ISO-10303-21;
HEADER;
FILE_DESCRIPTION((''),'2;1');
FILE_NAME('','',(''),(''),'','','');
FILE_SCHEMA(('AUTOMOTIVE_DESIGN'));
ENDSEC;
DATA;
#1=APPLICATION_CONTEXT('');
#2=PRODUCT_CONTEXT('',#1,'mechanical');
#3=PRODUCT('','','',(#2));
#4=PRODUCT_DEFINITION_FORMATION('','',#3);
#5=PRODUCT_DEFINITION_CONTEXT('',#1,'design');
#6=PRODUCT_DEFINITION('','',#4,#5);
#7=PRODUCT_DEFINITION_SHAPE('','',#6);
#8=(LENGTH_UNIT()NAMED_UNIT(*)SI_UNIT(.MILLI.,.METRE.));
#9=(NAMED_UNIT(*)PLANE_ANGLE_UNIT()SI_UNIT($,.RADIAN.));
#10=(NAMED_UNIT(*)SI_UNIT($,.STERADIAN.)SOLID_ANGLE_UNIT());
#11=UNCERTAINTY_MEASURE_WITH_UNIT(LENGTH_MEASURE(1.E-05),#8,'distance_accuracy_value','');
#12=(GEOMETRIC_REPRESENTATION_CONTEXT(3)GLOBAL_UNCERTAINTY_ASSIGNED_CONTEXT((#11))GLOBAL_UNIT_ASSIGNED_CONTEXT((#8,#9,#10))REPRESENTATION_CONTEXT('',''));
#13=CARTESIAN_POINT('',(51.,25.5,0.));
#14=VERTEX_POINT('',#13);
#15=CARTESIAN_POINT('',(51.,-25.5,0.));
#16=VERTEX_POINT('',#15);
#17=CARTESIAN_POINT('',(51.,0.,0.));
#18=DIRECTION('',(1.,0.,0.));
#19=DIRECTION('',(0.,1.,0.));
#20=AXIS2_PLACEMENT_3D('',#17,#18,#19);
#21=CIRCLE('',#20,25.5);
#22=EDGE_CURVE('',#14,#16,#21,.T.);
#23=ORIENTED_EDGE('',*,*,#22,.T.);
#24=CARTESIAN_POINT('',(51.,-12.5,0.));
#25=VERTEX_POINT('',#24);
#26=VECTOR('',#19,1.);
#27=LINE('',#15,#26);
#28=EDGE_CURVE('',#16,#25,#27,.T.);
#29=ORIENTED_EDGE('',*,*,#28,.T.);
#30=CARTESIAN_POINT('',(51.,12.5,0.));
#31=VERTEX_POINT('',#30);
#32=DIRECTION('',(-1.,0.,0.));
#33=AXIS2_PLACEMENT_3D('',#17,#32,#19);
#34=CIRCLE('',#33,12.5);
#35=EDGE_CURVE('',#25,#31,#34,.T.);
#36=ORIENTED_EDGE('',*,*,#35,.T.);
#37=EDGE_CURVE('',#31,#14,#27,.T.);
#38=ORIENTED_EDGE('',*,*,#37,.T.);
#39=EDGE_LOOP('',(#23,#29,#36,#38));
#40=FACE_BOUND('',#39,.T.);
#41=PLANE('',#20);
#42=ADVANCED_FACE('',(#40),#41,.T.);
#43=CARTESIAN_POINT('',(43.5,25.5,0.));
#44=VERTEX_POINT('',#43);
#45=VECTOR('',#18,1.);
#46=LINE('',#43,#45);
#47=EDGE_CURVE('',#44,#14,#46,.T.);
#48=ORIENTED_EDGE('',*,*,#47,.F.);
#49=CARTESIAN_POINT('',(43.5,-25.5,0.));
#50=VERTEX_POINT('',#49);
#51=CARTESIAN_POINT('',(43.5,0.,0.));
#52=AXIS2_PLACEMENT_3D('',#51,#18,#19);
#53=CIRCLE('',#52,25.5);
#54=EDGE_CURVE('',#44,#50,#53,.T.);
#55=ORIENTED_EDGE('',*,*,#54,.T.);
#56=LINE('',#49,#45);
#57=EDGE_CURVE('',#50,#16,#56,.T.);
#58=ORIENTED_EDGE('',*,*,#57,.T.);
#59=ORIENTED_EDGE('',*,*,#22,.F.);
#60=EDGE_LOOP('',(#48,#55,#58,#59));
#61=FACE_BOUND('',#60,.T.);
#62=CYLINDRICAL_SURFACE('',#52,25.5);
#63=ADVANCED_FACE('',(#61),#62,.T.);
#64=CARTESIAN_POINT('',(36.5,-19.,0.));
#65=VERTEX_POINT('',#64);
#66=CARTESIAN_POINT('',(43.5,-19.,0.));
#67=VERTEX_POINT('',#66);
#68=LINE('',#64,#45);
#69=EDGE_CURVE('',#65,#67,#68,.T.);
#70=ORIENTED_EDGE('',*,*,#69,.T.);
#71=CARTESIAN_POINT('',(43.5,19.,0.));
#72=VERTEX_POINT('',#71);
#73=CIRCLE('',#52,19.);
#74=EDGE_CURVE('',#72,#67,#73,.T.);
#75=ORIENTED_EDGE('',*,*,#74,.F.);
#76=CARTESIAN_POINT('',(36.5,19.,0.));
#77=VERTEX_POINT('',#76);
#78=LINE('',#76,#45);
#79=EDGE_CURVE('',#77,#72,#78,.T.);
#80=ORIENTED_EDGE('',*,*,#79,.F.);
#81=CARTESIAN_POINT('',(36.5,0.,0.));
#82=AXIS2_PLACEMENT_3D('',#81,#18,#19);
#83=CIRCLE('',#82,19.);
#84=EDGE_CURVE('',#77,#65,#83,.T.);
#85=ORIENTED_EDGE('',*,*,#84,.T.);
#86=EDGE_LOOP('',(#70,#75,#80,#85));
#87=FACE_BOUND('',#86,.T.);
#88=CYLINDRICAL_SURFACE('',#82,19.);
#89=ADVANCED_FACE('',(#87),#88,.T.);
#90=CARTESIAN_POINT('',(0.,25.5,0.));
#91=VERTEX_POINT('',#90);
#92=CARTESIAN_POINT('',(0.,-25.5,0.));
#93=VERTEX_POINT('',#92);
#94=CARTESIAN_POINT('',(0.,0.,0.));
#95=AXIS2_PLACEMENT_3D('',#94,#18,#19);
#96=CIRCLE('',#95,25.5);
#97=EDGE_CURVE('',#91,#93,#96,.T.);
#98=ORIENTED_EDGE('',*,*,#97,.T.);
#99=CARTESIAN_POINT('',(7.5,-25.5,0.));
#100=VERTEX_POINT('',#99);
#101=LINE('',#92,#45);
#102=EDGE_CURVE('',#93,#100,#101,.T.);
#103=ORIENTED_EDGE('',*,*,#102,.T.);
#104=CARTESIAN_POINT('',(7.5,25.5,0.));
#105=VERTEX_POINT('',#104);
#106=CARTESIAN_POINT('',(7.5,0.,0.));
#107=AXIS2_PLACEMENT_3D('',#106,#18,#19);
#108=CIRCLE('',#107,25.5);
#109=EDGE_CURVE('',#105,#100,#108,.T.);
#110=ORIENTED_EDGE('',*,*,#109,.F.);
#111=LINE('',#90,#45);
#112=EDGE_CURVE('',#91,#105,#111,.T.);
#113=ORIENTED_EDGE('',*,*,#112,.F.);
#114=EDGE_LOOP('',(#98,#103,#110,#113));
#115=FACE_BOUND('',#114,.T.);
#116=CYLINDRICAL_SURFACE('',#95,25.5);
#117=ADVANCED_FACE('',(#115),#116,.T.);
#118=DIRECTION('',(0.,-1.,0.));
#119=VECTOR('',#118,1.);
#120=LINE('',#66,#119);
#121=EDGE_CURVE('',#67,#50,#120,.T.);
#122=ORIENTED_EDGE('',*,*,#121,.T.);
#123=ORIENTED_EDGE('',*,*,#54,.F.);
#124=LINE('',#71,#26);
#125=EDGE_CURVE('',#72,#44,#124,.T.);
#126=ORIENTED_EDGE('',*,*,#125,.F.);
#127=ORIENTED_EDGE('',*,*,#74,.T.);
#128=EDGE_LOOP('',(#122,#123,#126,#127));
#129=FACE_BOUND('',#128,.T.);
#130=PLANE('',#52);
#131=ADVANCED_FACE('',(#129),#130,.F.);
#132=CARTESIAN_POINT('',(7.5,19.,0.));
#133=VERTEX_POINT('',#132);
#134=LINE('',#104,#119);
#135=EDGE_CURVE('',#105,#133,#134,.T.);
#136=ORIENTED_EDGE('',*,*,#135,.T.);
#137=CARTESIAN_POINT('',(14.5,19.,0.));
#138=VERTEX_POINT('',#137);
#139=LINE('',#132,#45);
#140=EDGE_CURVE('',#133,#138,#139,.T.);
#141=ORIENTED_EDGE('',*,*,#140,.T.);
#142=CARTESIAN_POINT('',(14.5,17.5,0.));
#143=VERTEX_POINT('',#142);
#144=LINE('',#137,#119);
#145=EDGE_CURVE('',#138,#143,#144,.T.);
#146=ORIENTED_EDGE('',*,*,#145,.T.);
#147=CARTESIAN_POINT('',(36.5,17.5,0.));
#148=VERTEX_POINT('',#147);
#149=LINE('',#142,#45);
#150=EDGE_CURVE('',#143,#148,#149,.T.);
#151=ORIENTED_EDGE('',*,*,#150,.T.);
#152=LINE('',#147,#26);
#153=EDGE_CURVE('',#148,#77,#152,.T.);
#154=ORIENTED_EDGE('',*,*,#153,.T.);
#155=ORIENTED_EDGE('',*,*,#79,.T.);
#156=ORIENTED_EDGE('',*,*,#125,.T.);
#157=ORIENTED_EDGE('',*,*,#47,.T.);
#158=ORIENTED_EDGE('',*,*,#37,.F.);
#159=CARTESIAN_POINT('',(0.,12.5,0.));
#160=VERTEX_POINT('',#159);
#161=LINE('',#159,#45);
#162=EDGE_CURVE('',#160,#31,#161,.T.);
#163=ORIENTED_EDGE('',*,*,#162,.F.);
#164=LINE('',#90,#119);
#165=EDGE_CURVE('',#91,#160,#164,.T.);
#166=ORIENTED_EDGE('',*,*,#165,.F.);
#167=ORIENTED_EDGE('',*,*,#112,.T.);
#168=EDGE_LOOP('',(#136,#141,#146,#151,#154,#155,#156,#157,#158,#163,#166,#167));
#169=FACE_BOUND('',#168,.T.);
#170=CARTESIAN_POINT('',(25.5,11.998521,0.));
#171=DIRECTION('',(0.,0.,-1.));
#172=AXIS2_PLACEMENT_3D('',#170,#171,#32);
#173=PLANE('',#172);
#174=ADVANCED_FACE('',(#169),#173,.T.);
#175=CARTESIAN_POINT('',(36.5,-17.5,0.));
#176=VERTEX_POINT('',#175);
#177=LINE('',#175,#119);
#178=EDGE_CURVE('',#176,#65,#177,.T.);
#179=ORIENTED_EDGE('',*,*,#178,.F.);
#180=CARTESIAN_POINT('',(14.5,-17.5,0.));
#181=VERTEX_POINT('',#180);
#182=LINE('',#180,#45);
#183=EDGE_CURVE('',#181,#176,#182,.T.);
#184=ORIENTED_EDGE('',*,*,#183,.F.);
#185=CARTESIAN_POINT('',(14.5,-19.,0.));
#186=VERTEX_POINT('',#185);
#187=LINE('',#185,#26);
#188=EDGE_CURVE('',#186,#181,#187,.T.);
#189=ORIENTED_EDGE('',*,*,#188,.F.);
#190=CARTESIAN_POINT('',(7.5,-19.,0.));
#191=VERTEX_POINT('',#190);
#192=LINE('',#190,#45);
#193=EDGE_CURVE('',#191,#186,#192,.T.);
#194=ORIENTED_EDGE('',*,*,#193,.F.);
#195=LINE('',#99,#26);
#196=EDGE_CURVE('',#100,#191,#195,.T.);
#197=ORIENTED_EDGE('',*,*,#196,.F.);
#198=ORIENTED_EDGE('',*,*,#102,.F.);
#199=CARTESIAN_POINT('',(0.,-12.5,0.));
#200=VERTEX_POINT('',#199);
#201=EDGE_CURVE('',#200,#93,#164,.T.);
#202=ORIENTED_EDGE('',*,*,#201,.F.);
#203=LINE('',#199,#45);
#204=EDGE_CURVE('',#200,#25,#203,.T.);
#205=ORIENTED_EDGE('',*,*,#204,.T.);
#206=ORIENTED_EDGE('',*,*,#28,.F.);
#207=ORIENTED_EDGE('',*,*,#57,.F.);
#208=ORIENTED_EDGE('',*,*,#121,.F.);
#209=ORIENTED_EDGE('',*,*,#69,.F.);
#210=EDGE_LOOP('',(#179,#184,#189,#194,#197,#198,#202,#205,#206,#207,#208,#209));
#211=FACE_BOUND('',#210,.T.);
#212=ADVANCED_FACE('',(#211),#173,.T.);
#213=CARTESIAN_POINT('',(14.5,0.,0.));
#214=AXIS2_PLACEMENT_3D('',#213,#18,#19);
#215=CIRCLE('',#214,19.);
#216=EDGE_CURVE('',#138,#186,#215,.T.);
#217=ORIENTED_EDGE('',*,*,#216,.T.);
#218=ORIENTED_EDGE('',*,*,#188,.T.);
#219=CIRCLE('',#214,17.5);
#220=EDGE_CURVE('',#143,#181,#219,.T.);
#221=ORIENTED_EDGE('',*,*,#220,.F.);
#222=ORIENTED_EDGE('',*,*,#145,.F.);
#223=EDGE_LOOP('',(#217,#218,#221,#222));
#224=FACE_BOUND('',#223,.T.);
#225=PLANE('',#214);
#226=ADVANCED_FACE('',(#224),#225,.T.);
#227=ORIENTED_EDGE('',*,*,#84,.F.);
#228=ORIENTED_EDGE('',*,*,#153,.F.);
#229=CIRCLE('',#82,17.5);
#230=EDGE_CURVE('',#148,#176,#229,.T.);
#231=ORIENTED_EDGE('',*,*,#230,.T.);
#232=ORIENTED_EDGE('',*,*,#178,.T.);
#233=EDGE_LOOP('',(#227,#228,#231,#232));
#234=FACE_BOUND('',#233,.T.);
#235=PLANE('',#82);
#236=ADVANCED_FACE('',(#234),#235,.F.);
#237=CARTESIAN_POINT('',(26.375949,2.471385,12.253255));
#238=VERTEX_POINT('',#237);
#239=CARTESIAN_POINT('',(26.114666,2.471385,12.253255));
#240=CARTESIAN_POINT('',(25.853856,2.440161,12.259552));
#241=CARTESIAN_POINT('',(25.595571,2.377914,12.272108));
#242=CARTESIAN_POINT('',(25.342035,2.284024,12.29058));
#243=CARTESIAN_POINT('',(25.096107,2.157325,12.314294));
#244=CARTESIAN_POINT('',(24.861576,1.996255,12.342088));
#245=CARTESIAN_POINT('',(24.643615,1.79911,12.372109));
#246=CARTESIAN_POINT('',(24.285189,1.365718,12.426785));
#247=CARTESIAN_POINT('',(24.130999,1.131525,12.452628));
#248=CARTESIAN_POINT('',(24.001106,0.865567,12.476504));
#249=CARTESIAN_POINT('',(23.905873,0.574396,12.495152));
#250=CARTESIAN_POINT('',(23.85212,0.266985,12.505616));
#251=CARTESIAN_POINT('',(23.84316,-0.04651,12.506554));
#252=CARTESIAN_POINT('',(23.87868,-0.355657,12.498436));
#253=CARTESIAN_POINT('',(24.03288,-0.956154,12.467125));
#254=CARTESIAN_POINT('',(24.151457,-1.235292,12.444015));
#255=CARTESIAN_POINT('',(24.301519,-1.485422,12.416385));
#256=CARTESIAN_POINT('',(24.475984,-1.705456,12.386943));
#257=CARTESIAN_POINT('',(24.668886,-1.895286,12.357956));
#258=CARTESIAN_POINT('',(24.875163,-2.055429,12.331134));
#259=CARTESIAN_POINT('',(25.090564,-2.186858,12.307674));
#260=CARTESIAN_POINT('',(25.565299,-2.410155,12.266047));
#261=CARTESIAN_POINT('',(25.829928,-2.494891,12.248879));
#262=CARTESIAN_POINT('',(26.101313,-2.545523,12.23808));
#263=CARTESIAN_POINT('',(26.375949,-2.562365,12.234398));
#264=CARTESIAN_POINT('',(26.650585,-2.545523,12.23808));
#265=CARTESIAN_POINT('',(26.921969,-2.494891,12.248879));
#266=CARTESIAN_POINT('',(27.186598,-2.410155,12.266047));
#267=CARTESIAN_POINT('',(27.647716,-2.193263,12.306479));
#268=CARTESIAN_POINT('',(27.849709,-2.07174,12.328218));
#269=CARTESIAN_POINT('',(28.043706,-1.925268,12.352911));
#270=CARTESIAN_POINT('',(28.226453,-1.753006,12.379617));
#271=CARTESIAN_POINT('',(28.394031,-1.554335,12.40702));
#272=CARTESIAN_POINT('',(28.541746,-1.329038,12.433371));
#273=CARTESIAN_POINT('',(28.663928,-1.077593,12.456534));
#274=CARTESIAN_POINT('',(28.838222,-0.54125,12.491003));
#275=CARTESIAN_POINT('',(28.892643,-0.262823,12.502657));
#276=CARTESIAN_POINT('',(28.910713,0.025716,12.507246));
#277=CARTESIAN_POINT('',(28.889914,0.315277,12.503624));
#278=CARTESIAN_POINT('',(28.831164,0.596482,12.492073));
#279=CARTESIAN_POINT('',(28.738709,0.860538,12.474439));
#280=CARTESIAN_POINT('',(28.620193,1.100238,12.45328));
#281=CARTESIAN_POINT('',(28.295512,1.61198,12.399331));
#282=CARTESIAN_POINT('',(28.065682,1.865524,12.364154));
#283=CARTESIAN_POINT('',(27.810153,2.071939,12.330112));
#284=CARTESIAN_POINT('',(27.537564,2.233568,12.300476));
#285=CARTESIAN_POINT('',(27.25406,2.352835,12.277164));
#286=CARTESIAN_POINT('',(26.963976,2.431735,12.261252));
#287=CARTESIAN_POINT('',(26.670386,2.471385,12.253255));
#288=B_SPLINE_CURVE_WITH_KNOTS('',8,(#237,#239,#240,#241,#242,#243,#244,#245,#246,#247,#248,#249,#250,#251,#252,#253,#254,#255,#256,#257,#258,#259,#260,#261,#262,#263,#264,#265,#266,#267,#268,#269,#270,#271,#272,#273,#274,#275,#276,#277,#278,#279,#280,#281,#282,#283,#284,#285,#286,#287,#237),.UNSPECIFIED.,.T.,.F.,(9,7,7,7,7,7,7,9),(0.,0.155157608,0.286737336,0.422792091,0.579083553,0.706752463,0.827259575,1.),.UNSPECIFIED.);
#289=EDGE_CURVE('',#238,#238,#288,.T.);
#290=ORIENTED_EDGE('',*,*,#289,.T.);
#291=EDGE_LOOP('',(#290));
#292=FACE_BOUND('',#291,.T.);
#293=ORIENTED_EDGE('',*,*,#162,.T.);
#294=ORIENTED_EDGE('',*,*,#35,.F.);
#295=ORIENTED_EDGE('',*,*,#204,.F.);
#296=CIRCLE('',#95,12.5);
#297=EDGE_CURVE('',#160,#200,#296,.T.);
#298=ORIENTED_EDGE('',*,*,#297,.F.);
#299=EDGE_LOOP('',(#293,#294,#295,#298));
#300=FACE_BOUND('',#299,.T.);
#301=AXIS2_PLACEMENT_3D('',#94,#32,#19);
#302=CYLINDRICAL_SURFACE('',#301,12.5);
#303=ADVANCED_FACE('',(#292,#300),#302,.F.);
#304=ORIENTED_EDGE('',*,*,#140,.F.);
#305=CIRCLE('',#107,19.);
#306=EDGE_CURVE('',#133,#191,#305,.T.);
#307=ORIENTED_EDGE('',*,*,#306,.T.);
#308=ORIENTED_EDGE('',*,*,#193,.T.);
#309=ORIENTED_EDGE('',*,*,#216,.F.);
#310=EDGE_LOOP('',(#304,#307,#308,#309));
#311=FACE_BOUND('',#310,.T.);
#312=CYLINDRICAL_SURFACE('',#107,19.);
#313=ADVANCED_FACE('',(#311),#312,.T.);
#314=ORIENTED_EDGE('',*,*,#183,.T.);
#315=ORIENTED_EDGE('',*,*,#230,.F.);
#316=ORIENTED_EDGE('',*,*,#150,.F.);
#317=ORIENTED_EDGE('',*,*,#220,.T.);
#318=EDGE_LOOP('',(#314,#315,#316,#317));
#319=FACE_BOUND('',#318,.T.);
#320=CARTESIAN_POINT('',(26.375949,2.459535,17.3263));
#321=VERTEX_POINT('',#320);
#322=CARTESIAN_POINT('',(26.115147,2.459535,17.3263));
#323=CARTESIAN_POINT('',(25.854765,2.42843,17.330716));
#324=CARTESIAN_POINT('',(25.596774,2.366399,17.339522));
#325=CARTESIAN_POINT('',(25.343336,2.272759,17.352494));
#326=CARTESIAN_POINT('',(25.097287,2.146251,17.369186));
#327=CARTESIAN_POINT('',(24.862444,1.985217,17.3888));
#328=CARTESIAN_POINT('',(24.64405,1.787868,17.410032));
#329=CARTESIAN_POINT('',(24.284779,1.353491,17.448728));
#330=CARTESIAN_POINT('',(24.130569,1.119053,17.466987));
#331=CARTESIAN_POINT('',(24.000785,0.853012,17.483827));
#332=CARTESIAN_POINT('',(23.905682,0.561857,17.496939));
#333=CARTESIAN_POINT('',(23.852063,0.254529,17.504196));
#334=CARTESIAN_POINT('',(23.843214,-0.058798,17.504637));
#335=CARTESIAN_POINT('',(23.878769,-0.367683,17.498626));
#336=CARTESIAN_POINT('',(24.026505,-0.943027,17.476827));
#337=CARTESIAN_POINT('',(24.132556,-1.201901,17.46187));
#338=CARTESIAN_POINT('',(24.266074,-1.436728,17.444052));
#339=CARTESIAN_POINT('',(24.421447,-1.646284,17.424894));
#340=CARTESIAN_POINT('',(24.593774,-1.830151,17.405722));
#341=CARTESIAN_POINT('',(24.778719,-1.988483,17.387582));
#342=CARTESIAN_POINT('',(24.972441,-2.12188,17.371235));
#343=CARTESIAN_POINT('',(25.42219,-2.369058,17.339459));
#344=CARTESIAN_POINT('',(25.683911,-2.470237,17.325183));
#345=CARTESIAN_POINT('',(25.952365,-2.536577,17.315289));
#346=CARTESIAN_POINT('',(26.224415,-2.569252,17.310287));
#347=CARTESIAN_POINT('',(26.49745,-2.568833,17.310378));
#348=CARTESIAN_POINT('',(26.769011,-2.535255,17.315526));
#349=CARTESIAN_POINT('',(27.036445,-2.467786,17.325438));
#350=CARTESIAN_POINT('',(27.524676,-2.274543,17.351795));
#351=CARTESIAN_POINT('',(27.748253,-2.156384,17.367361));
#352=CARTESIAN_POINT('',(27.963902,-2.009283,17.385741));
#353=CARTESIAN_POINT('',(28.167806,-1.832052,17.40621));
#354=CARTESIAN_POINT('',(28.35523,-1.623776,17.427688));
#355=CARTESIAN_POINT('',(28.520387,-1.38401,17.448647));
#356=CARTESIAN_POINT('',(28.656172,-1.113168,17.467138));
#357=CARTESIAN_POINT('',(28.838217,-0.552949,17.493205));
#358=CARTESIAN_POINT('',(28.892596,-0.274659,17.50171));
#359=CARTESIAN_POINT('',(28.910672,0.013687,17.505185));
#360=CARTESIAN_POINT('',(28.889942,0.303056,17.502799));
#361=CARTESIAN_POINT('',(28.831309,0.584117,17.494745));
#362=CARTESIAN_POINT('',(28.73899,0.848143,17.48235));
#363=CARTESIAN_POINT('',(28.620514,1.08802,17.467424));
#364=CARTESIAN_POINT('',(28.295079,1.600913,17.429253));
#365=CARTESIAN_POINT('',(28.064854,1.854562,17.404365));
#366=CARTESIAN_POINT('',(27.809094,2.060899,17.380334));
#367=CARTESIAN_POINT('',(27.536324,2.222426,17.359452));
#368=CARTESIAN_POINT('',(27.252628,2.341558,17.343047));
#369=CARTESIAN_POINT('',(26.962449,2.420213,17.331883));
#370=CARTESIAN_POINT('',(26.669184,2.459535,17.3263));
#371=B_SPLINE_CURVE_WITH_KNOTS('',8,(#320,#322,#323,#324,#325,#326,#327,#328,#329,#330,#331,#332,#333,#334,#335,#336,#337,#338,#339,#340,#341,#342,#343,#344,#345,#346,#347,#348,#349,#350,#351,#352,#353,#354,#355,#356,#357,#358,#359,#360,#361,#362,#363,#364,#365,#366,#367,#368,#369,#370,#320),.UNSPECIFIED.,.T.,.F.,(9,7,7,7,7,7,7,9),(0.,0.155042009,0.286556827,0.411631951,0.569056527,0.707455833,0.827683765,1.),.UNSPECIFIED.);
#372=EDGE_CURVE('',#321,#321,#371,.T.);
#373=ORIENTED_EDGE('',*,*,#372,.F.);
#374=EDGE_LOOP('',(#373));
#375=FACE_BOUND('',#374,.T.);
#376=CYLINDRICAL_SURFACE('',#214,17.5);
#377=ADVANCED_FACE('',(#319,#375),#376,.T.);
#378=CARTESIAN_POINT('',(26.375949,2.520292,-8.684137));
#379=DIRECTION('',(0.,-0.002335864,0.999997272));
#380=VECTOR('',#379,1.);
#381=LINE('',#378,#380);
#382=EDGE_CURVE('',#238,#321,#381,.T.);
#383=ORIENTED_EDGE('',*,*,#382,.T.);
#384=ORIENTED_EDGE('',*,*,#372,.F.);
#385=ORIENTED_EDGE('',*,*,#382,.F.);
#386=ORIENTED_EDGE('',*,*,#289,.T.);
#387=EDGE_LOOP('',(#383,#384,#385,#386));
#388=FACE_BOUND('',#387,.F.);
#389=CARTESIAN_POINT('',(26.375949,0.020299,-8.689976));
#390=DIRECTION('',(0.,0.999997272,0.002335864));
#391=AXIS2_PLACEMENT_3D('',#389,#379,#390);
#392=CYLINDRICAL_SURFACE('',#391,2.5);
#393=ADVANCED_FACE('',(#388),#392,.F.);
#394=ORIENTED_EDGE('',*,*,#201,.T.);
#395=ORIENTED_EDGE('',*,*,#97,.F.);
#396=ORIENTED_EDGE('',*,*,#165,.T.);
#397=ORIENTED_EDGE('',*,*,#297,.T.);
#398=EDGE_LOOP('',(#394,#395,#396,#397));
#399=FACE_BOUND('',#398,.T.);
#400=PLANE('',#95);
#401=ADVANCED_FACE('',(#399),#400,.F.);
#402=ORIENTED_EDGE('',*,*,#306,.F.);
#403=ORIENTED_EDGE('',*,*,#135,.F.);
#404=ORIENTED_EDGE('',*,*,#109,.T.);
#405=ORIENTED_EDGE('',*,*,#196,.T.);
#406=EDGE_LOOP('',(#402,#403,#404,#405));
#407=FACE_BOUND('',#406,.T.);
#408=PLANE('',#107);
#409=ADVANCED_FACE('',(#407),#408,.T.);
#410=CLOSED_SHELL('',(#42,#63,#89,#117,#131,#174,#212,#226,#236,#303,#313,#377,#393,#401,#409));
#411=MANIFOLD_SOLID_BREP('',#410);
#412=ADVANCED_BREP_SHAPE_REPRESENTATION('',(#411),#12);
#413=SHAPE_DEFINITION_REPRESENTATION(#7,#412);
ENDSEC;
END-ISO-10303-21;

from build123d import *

# Parameters (mm, degrees)
REVOLVE1_ANGLE            = 180
CUT_EXTRUDE1_DEPTH        = 52
F_5_0MM_DOWEL_HOLE1_D     = 5
F_5_0MM_DOWEL_HOLE1_DEPTH = 21.19
F_5_0MM_DOWEL_HOLE1_TIP   = 1.502151548


with BuildPart() as part:
    # Sketch1 → Revolve1 (revolve)
    with BuildSketch(Plane.XY):
        Polygon((0, 0), (0, 25.5), (7.5, 25.5), (7.5, 19), (14.5, 19), (14.5, 17.5), (36.5, 17.5), (36.5, 19), (43.5, 19), (43.5, 25.5), (51, 25.5), (51, 0), align=None)
    revolve(axis=Axis((0, 0, 0), (1, 0, 0)), revolution_arc=REVOLVE1_ANGLE)

    # Sketch2 → Cut-Extrude1 (cut, through all)
    with BuildSketch(Plane.ZY):
        with BuildLine():
            Line((0, -12.5), (0, 12.5))
            ThreePointArc((0, 12.5), (12.5, 0), (0, -12.5))
        make_face()
    extrude(amount=-CUT_EXTRUDE1_DEPTH, mode=Mode.SUBTRACT)

    # Ø5.0mm Dowel Hole1
    with Locations(Plane(origin=(26.375948841, -0.029198295, 12.499965898), x_dir=(0, -0.999997272, -0.002335864), z_dir=(0, 0.002335864, -0.999997272))):
        with Locations((0, 0)):
            Hole(F_5_0MM_DOWEL_HOLE1_D / 2, depth=F_5_0MM_DOWEL_HOLE1_DEPTH)
            with Locations((0, 0, -(F_5_0MM_DOWEL_HOLE1_DEPTH + F_5_0MM_DOWEL_HOLE1_TIP / 2))):  # 118° drill point
                Cone(0, F_5_0MM_DOWEL_HOLE1_D / 2, F_5_0MM_DOWEL_HOLE1_TIP, mode=Mode.SUBTRACT)


solid = part.part
